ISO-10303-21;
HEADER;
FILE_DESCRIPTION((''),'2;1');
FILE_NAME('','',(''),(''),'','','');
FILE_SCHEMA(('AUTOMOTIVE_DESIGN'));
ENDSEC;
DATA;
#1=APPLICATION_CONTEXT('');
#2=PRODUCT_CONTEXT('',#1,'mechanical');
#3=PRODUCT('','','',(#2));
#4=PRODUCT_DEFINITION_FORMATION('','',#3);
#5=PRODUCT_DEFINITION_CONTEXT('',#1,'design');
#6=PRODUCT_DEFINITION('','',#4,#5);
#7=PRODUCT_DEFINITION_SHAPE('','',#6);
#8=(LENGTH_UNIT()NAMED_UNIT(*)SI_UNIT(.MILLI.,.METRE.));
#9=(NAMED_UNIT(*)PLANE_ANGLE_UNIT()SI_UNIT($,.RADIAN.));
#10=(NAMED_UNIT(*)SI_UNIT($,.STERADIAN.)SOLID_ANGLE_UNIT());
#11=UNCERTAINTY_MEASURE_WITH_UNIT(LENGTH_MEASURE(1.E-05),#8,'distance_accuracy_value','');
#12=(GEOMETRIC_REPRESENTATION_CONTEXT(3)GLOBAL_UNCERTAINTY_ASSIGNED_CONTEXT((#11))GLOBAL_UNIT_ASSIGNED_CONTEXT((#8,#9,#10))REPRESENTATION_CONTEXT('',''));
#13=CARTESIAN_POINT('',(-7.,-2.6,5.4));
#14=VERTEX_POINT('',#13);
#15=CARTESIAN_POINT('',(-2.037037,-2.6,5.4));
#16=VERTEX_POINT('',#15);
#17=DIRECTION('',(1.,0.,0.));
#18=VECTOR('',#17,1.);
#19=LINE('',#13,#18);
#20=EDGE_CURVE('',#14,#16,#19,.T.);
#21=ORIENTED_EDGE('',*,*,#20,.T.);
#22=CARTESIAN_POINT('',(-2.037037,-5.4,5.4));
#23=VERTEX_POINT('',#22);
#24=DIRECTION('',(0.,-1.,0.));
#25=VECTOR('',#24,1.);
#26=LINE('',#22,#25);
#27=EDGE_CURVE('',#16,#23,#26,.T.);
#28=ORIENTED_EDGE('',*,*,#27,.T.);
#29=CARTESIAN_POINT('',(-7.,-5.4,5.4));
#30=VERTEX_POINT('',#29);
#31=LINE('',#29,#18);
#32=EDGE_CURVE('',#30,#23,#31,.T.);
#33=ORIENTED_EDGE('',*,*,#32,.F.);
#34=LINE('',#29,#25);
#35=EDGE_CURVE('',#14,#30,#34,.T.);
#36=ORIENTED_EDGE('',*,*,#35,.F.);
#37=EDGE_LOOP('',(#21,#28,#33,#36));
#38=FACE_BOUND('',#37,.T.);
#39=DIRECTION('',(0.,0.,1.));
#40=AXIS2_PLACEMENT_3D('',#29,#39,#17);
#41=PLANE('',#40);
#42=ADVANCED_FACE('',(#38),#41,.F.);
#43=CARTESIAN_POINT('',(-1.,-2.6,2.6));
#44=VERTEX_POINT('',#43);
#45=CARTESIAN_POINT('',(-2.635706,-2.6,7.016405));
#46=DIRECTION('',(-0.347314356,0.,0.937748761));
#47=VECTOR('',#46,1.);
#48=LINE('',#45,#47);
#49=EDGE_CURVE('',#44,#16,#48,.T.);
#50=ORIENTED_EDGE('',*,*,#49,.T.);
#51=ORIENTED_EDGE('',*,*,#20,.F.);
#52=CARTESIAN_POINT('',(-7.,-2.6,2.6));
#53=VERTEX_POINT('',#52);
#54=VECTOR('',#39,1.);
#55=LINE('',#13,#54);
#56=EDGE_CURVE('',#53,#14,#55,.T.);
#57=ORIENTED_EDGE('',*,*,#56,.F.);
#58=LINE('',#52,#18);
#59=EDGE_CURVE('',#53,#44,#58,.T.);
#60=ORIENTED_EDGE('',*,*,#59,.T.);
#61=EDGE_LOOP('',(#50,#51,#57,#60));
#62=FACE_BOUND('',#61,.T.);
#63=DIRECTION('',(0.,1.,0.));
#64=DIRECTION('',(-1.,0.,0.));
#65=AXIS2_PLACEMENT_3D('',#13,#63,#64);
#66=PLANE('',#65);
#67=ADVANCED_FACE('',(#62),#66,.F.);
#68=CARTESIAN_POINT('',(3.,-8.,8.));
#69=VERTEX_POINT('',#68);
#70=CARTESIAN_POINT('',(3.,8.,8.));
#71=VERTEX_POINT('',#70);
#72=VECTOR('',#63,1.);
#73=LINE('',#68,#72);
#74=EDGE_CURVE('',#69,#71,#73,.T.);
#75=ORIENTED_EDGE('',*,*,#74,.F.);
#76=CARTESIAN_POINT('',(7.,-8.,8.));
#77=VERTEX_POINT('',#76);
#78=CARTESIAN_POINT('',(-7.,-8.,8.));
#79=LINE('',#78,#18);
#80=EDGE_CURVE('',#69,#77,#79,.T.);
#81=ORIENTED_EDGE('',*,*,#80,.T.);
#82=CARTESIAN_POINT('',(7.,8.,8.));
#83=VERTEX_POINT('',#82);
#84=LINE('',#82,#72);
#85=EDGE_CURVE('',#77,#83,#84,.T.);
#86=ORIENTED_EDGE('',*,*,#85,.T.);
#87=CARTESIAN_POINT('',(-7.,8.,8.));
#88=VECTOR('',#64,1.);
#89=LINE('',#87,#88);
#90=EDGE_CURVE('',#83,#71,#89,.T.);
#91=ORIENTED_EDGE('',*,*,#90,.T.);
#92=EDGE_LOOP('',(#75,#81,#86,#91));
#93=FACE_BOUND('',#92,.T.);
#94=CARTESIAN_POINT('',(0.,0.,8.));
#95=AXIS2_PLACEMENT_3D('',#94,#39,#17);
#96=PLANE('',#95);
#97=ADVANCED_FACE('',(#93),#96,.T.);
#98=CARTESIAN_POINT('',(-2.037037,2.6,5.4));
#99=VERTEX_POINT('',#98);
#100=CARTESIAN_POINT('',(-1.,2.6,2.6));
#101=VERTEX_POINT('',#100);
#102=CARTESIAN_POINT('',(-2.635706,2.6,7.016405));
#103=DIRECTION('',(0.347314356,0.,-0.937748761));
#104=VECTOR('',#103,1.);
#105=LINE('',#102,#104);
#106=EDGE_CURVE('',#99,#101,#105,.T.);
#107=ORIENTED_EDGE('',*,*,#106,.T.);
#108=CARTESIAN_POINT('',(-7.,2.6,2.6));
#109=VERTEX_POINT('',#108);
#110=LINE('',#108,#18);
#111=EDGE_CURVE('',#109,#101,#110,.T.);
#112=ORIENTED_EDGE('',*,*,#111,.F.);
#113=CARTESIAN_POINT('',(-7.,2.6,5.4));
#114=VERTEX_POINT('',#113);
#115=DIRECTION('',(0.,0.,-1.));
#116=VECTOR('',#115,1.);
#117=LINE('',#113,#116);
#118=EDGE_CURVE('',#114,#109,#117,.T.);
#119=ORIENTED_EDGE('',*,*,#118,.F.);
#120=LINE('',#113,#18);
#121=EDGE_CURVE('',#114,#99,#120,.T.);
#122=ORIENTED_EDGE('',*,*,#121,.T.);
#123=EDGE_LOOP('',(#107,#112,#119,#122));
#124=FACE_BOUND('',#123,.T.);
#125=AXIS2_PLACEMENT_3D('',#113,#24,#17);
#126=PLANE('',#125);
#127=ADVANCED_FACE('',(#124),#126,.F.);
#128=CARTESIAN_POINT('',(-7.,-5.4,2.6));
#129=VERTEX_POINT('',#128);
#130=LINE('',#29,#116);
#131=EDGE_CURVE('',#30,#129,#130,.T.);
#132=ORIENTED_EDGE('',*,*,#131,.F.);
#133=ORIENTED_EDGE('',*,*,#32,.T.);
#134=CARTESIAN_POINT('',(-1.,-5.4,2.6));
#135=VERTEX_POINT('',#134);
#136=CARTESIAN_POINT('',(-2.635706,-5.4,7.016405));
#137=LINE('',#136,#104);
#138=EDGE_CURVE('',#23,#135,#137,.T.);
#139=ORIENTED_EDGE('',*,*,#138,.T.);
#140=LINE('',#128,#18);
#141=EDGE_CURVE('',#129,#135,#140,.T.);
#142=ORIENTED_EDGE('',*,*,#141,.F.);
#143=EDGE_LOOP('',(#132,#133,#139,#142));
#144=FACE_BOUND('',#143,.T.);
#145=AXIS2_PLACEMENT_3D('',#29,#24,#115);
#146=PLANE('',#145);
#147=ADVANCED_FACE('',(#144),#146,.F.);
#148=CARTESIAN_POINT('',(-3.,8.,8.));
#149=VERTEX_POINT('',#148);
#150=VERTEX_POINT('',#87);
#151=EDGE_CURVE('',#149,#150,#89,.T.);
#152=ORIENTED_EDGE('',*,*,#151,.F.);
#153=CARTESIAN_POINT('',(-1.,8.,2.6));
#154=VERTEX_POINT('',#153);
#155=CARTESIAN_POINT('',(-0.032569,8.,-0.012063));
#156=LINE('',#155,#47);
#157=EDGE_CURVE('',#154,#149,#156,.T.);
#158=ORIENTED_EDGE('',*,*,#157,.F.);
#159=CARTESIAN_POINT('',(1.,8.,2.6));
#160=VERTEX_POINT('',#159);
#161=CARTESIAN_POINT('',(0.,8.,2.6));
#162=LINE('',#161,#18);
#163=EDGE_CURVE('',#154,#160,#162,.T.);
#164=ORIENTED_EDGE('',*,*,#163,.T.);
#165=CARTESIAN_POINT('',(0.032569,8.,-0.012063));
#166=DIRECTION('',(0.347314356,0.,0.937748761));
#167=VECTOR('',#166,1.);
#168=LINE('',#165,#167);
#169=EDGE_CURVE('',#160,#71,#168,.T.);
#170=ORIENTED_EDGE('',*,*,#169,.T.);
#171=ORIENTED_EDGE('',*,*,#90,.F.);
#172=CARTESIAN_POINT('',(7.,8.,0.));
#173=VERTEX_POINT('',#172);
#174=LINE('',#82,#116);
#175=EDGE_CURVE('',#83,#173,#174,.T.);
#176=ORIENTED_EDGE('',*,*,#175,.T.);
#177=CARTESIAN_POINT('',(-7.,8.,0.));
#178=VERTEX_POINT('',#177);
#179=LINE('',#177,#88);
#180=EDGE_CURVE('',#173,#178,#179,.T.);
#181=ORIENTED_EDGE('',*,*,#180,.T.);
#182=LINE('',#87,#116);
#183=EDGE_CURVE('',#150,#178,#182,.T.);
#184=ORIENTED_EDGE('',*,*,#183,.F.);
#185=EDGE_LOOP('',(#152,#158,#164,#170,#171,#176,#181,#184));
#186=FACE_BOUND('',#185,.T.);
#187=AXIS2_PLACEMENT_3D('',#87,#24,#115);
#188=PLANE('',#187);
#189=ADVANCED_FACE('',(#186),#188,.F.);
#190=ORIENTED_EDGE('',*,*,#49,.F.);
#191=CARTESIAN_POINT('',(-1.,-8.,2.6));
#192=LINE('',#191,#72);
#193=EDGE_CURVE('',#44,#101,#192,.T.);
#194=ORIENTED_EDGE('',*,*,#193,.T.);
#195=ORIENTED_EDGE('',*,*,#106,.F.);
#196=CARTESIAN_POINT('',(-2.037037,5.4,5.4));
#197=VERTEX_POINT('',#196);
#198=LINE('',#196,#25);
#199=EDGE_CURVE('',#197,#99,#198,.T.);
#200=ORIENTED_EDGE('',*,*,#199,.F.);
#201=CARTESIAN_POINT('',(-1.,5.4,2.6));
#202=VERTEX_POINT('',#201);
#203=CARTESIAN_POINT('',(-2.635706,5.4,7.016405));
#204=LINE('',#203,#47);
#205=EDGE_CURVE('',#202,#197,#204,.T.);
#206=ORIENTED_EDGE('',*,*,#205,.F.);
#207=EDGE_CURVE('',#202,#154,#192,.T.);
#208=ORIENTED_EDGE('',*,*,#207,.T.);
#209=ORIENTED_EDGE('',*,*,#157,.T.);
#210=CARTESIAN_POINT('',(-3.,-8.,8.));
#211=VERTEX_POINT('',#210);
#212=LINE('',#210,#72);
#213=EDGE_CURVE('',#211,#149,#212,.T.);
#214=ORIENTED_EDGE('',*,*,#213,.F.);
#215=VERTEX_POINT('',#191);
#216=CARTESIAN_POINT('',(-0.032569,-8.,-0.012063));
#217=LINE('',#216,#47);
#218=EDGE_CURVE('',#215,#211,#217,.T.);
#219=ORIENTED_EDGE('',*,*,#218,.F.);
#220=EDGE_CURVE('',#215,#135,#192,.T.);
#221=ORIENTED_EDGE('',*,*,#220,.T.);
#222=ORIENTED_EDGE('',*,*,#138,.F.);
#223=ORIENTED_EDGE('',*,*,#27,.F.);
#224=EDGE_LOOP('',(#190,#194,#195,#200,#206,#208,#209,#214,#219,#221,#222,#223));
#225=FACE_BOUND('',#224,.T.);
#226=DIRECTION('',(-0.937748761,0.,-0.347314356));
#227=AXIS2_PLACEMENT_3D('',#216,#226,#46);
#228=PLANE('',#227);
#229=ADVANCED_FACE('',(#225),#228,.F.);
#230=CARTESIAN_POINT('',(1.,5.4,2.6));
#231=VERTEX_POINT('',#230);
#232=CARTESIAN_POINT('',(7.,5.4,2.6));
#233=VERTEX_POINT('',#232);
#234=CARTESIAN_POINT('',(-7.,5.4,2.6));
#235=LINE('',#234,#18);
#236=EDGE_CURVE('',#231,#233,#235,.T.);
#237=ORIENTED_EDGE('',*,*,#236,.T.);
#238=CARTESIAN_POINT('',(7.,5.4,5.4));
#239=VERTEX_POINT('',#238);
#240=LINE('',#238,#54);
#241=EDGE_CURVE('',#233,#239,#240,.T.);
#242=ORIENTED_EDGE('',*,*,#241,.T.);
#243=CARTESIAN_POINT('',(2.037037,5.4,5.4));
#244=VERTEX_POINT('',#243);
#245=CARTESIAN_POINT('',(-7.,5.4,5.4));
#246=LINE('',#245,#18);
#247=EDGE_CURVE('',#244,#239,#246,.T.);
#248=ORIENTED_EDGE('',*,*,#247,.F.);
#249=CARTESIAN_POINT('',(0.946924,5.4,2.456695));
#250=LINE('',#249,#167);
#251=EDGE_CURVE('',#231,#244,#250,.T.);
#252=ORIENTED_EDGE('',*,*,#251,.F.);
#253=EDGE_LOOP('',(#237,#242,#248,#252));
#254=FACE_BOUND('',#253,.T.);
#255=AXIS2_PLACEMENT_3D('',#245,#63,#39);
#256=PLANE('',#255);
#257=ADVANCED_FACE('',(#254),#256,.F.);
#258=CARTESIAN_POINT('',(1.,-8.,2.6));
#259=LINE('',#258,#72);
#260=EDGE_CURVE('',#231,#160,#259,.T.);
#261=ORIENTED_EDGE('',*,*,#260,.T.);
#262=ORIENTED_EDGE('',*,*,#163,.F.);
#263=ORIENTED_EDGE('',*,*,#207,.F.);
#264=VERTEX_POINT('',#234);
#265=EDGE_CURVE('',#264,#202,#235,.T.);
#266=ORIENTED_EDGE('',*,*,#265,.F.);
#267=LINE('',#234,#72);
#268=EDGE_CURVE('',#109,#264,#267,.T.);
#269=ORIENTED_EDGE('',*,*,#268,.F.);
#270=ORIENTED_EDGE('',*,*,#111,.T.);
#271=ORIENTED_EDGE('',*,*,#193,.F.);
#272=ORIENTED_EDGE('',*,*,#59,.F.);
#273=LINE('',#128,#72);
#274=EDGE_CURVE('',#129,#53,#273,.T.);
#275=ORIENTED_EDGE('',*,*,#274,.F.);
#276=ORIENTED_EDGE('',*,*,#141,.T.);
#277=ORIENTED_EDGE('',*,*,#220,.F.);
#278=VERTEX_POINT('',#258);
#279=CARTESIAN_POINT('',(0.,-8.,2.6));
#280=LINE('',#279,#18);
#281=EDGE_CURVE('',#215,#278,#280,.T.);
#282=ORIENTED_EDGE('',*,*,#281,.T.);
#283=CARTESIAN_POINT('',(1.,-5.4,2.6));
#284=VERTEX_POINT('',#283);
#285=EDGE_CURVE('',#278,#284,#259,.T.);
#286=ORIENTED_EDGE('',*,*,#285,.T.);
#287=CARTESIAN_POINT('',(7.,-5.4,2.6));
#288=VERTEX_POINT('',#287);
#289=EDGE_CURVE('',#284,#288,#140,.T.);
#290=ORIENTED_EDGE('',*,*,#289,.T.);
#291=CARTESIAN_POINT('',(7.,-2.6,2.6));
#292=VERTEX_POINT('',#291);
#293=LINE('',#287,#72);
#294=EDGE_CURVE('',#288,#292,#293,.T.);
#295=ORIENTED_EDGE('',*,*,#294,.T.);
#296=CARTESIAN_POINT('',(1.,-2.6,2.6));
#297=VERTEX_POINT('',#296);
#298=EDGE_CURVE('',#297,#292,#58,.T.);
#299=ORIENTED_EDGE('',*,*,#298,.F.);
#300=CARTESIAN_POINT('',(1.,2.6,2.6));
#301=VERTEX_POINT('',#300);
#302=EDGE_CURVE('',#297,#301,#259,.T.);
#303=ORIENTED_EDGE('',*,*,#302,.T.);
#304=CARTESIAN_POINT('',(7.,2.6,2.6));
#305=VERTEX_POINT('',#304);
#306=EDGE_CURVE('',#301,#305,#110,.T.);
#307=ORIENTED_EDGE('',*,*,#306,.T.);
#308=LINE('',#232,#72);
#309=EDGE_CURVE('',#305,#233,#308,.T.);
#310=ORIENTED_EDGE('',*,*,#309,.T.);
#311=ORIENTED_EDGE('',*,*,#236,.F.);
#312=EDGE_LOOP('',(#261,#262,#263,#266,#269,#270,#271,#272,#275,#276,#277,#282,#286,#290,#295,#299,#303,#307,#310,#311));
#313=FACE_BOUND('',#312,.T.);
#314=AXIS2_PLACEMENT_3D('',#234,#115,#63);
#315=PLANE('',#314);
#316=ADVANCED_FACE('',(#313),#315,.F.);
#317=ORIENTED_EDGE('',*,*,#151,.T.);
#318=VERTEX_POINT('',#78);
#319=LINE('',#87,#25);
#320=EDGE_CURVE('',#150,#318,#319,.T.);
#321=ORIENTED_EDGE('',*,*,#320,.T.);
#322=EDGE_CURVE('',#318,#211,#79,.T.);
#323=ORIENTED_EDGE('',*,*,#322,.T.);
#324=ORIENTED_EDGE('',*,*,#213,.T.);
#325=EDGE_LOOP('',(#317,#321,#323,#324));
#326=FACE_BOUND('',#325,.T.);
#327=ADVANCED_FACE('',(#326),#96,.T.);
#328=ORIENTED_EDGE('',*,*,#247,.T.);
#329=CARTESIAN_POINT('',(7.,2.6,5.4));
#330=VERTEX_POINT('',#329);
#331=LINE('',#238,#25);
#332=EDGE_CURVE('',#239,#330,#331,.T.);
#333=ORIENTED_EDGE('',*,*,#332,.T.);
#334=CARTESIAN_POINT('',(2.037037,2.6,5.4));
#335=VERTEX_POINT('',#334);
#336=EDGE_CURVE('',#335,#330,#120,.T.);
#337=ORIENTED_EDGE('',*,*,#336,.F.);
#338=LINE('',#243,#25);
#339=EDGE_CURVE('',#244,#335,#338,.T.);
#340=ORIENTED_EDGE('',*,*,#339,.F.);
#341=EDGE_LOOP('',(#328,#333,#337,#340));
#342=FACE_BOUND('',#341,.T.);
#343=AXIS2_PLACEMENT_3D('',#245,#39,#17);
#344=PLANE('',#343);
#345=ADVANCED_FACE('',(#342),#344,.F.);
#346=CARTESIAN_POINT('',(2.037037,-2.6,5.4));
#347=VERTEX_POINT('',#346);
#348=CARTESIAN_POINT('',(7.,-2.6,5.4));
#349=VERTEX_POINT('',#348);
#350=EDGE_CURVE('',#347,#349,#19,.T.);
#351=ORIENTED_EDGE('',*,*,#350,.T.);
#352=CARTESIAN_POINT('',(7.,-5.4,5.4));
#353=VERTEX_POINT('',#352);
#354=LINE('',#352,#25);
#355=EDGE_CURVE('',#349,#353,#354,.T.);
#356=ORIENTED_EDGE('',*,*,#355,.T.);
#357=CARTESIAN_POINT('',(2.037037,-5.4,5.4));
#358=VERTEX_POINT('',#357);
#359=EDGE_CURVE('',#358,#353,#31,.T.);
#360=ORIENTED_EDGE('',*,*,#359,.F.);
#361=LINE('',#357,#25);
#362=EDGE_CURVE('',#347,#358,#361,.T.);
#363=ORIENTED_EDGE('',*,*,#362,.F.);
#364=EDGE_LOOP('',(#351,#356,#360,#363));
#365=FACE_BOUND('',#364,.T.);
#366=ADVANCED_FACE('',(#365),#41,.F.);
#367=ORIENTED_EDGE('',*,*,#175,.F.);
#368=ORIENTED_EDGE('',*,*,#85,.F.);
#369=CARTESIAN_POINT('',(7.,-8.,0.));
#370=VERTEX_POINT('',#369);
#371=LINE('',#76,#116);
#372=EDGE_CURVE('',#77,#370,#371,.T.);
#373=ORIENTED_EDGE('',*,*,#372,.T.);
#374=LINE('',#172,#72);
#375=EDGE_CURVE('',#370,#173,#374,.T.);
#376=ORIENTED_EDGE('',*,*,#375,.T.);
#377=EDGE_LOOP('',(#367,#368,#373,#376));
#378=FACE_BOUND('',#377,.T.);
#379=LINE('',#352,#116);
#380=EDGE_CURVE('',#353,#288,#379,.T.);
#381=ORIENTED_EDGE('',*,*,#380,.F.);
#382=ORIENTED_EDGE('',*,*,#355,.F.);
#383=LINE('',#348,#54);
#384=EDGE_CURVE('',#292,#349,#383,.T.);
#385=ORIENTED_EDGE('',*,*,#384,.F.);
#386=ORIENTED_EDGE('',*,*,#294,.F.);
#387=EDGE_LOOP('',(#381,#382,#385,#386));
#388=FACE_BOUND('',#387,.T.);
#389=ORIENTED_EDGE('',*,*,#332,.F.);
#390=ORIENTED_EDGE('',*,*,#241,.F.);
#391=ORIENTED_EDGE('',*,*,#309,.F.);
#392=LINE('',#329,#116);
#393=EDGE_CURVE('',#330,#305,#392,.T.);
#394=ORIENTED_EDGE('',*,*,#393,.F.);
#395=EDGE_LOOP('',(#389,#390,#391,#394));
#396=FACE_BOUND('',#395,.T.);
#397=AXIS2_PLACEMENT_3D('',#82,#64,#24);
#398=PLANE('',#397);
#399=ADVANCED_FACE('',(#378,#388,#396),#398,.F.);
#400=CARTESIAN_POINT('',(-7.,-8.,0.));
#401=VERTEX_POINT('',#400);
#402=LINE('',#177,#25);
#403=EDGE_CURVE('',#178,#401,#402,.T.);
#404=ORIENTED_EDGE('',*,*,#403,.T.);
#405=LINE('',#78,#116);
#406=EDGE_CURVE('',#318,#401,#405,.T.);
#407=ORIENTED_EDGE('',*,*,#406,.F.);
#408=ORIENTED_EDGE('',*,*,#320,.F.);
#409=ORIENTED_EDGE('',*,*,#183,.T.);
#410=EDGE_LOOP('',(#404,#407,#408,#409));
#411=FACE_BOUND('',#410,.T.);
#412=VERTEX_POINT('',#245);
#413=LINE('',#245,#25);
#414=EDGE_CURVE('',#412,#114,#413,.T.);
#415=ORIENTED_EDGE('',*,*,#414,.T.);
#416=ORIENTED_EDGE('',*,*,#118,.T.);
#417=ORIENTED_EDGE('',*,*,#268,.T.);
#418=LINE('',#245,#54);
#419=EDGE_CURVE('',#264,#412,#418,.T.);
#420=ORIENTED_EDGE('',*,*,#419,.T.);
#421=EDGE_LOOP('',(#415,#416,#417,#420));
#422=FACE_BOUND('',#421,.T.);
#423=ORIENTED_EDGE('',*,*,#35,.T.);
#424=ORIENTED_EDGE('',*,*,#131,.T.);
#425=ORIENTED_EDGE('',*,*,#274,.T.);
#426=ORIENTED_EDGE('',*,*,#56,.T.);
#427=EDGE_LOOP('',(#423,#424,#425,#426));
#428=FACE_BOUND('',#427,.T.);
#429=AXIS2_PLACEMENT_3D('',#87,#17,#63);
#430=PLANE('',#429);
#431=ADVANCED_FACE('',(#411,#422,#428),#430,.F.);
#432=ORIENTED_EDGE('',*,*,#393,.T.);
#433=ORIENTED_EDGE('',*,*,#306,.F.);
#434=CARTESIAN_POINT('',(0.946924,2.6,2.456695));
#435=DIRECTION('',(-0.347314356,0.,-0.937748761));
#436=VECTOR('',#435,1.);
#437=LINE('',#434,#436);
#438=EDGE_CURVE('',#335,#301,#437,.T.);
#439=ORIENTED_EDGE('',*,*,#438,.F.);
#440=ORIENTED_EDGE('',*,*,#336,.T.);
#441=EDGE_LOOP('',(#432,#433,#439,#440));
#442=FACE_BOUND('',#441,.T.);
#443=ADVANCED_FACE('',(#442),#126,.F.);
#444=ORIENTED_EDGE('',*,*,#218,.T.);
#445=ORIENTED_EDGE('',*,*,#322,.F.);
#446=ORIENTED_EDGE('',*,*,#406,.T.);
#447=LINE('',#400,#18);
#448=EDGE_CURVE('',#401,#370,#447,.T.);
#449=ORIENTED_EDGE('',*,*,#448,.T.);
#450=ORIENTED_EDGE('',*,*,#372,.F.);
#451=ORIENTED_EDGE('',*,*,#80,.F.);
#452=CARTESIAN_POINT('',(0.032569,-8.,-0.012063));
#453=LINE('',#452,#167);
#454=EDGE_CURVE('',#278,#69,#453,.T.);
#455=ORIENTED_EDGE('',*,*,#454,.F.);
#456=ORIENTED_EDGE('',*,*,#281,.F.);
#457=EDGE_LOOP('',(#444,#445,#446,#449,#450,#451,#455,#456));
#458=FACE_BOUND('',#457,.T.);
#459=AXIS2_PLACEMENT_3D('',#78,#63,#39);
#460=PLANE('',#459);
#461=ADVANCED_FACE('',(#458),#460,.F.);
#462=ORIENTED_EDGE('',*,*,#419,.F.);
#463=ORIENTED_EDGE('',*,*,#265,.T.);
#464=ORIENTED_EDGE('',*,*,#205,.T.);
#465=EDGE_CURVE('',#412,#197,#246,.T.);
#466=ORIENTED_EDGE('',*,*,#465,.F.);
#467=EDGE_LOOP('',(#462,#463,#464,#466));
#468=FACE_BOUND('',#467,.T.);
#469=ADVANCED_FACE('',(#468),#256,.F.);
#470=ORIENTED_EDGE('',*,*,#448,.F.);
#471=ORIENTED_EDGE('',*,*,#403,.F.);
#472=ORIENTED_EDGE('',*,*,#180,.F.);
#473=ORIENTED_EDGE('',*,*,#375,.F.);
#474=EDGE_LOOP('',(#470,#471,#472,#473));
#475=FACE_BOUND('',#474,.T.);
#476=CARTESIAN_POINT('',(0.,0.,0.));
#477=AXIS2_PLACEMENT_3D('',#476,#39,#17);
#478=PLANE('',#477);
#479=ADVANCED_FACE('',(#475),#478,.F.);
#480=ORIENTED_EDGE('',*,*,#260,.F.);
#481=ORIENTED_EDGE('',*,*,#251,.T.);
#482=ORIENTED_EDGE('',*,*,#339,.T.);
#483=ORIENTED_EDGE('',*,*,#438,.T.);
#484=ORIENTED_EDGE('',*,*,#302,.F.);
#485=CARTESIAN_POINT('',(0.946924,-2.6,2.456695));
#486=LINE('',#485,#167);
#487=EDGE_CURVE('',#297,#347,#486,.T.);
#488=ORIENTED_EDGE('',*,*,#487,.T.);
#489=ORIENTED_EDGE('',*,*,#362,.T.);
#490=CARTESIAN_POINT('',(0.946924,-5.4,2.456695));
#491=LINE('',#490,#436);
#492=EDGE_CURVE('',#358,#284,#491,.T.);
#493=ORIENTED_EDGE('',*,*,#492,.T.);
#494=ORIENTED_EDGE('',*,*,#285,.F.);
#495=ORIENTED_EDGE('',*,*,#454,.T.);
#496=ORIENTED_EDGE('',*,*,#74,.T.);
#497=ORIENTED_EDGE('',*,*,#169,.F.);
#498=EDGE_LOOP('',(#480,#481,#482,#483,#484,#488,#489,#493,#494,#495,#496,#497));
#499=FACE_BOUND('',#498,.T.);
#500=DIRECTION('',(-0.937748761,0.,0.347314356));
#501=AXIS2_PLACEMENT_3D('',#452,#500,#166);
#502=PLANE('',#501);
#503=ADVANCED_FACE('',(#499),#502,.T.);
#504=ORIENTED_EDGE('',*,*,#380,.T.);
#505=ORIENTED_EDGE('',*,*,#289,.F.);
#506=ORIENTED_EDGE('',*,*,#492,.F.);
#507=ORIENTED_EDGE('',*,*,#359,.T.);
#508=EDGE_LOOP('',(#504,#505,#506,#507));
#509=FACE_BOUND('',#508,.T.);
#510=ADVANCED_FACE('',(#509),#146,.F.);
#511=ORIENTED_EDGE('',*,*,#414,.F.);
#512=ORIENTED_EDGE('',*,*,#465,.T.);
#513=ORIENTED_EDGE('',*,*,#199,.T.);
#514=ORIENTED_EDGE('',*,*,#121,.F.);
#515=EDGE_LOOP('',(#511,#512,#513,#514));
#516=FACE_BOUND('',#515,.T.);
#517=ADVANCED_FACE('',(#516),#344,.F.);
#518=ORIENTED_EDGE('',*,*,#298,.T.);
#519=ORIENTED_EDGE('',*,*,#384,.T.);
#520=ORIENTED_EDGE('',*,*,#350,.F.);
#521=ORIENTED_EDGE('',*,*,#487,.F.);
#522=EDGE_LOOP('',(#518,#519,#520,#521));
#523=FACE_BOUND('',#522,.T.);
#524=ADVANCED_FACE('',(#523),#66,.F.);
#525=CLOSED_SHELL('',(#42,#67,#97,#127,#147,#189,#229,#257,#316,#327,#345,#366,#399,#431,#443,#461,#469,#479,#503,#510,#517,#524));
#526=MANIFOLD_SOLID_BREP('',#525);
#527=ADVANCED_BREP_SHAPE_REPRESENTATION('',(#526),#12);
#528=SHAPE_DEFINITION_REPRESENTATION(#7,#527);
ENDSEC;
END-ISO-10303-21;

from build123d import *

# Parameters (mm, degrees)
ESBO_O1_W                = 14
ESBO_O1_H                = 16
RESSALTO_EXTRUS_O1_DEPTH = 8
ESBO_O3_W                = 2.8
ESBO_O3_H                = 2.8
CORTE_EXTRUS_O2_DEPTH    = 19
CORTE_EXTRUS_O3_DEPTH    = 20.209372712


with BuildPart() as part:
    # Esboço1 → Ressalto-extrusão1 (new body)
    with BuildSketch(Plane.XY):
        Rectangle(ESBO_O1_W, ESBO_O1_H)
    extrude(amount=RESSALTO_EXTRUS_O1_DEPTH)

    # Esboço3 → Corte-extrusão2 (cut, through all)
    with BuildSketch(Plane(origin=(7, 0, 0), x_dir=(0, 0, -1), z_dir=(1, 0, 0))):
        with Locations((-4, 4)):
            Rectangle(ESBO_O3_W, ESBO_O3_H)
        with Locations((-4, -4)):
            Rectangle(ESBO_O3_W, ESBO_O3_H)
    extrude(amount=-CORTE_EXTRUS_O2_DEPTH, mode=Mode.SUBTRACT)

    # Esboço5 → Corte-extrusão3 (cut, through all)
    with BuildSketch(Plane(origin=(0, 8, 0), x_dir=(1, 0, 0), z_dir=(0, 1, 0))):
        Polygon((-1, -2.6), (-3, -8), (3, -8), (1, -2.6), align=None)
    extrude(amount=-CORTE_EXTRUS_O3_DEPTH, mode=Mode.SUBTRACT)


solid = part.part
